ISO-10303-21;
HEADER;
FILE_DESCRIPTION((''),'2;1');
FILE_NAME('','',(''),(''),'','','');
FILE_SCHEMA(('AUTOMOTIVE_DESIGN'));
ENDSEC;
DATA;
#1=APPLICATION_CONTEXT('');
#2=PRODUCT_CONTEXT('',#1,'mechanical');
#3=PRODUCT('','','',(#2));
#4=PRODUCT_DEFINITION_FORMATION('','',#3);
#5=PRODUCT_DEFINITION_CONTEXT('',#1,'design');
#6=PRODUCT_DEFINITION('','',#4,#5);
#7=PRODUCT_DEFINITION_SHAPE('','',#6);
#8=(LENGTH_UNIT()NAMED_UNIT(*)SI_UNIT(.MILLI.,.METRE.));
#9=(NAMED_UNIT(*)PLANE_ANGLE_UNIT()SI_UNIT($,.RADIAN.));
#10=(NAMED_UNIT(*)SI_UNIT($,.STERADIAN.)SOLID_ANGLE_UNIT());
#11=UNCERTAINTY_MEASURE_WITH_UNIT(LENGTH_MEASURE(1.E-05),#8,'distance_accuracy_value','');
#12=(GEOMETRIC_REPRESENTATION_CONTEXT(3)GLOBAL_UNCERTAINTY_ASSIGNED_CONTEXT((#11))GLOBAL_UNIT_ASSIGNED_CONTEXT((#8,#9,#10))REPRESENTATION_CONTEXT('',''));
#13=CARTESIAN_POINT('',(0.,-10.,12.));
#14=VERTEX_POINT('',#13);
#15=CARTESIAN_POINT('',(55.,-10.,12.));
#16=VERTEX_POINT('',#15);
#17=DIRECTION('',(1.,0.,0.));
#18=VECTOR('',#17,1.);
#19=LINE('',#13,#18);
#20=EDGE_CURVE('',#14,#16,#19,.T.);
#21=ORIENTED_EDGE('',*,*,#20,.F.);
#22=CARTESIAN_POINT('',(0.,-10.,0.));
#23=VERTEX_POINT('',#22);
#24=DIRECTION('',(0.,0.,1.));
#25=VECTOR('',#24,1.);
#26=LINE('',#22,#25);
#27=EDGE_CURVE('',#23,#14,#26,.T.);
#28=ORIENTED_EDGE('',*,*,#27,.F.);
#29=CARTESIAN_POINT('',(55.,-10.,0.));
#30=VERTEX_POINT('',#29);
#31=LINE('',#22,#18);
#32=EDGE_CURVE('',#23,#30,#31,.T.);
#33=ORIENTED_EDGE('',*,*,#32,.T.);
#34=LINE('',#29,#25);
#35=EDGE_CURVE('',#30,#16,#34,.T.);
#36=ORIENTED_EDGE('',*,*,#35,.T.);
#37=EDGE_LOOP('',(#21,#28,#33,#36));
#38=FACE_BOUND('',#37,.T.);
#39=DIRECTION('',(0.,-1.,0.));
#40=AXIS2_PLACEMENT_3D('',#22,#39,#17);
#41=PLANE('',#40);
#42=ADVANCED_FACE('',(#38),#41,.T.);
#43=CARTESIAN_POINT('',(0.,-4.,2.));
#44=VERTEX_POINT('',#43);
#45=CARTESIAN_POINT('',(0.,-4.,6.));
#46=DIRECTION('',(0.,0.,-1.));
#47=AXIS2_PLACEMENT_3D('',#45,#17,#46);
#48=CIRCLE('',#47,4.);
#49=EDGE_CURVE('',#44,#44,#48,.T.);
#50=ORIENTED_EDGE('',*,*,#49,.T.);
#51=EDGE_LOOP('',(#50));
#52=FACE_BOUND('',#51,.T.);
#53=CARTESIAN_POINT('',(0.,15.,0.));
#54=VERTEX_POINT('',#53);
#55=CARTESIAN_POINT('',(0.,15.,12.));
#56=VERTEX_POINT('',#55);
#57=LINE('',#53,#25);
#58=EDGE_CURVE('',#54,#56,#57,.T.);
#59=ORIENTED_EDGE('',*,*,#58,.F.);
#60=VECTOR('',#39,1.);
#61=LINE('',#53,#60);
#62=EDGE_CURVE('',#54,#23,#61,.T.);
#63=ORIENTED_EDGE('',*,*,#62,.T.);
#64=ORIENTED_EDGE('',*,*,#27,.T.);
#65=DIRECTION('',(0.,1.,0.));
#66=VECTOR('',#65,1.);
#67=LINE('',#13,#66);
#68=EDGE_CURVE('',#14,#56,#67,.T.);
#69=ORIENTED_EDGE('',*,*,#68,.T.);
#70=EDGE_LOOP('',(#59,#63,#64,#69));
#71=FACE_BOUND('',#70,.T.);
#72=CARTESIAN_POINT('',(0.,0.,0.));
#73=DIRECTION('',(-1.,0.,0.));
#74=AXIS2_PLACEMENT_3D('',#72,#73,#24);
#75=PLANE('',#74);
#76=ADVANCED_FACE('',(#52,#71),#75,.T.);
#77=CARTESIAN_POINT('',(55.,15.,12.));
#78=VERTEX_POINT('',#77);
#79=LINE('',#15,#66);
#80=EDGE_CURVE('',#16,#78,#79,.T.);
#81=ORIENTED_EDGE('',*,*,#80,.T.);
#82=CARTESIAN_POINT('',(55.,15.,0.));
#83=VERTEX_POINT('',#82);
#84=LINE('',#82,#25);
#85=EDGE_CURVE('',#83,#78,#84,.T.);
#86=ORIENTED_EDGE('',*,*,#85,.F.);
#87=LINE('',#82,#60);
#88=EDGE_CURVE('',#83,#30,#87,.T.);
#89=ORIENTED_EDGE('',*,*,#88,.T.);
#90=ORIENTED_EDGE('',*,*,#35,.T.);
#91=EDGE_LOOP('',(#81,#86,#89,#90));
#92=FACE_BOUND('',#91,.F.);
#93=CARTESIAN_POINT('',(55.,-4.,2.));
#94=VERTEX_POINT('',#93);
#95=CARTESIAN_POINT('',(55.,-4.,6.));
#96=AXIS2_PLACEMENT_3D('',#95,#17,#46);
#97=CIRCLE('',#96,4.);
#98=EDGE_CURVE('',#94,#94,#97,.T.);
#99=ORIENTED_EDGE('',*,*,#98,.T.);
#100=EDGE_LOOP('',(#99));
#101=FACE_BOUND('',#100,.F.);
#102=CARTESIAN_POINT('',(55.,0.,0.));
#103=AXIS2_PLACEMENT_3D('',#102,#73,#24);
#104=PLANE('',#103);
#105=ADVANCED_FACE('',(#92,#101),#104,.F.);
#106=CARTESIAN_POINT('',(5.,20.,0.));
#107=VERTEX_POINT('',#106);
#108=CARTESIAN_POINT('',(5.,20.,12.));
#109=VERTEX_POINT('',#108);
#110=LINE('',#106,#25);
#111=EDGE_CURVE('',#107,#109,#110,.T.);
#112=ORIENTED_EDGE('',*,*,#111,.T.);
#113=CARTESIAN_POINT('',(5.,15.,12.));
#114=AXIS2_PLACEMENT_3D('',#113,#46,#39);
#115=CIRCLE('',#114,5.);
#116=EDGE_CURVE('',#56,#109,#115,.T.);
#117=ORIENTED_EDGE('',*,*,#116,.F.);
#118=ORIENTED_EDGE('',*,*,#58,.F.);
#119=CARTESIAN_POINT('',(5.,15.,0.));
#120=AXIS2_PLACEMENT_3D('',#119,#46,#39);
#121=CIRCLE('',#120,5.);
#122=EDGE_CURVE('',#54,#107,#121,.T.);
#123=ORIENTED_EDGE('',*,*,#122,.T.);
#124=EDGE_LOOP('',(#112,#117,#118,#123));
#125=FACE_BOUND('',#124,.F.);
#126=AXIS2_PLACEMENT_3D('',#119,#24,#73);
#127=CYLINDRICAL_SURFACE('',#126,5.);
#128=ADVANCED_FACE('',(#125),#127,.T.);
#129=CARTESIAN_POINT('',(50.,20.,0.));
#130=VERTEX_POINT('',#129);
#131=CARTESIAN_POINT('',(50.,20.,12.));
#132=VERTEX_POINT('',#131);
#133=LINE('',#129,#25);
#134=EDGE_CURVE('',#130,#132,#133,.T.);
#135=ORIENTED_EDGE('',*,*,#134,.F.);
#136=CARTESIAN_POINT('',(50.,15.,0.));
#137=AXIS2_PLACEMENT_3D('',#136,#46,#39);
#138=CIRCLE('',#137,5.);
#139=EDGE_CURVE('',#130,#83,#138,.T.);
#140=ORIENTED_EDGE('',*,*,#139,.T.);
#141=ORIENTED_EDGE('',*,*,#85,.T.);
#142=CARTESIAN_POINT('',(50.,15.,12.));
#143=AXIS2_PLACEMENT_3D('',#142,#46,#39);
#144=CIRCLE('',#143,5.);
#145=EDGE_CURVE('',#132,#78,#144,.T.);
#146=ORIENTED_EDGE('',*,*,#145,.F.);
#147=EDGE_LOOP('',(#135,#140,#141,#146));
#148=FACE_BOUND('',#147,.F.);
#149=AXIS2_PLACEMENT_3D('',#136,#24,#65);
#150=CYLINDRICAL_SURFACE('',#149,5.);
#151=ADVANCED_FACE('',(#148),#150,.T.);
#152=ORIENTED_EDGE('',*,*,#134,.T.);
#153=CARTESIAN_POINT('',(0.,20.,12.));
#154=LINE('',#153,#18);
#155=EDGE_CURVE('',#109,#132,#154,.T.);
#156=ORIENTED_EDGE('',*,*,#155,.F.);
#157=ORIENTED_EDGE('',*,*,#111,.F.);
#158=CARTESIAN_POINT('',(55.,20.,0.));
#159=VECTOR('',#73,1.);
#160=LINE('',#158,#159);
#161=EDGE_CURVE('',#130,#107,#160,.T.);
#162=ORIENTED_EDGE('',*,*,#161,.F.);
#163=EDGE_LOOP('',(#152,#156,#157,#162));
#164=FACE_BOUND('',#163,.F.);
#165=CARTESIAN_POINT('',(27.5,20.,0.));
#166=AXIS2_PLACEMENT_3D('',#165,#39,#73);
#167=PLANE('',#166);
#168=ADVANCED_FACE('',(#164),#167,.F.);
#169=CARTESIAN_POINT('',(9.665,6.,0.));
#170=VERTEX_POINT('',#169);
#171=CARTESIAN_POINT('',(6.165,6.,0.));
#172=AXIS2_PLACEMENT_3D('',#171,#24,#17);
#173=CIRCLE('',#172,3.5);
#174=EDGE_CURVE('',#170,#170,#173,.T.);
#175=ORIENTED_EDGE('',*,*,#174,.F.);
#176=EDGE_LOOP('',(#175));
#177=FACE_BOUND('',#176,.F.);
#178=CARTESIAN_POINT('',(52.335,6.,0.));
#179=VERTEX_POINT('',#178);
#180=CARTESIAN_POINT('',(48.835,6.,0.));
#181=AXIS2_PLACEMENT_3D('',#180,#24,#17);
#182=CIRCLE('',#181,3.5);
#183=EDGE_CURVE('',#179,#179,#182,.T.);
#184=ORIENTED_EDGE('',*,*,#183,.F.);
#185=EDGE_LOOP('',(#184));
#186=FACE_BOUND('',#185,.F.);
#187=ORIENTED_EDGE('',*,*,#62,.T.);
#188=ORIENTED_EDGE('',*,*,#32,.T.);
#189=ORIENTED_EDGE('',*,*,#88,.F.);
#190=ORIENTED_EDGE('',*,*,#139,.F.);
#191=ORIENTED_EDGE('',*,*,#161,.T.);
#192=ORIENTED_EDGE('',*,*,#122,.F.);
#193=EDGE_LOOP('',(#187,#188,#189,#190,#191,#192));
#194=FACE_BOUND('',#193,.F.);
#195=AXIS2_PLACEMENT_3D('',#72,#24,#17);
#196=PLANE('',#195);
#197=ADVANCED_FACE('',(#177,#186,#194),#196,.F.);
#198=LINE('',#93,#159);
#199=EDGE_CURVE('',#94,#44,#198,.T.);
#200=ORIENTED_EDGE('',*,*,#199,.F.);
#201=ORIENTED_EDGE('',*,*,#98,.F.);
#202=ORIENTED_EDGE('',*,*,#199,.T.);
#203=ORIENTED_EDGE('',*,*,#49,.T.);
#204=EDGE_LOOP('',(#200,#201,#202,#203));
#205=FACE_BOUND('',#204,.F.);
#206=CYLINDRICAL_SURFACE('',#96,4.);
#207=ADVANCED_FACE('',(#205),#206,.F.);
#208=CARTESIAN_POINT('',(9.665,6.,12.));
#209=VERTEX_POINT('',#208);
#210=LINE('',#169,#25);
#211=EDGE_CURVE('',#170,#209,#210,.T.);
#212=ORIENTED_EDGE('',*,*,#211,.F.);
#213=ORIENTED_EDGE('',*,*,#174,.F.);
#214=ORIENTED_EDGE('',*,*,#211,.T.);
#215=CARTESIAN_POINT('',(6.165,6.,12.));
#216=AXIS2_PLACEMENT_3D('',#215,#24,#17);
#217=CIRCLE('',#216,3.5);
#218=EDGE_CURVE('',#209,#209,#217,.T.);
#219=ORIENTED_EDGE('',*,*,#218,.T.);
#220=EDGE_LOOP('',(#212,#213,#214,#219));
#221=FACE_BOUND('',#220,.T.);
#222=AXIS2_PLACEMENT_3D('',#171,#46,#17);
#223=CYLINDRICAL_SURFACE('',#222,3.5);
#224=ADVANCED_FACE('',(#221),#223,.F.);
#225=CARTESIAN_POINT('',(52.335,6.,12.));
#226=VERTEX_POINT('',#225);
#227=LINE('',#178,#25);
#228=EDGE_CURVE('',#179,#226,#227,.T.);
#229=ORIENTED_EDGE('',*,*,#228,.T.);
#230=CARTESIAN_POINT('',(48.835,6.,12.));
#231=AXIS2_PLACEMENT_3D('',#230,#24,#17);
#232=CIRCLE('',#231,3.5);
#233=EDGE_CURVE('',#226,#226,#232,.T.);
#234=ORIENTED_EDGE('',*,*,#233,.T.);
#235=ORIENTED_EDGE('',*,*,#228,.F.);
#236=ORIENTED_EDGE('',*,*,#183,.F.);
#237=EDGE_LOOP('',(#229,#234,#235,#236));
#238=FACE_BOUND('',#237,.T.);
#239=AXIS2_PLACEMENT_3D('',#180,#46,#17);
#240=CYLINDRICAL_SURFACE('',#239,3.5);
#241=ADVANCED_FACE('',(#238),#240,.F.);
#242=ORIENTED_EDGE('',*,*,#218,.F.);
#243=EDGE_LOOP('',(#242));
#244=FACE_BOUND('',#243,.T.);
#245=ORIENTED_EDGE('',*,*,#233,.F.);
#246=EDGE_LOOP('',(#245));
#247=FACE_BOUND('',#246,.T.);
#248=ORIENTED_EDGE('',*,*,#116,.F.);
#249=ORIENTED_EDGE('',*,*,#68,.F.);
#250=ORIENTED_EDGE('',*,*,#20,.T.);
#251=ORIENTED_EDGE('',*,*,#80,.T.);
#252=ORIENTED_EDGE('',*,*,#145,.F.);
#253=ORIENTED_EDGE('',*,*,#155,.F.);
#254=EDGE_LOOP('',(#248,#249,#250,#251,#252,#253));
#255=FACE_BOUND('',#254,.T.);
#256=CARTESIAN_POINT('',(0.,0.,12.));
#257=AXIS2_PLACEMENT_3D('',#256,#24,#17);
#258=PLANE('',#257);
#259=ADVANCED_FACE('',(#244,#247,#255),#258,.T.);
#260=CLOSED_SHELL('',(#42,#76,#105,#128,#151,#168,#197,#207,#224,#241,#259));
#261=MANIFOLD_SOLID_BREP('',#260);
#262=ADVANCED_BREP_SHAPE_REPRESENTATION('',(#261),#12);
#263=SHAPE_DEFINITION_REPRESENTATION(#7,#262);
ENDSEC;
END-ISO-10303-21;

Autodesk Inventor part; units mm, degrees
ref_plane "YZ Plane" through (0, 0, 0) normal (1, 0, 0) x (0, 1, 0)
ref_plane "XZ Plane" through (0, 0, 0) normal (0, 1, 0) x (-1, 0, 0)
ref_plane "XY Plane" through (0, 0, 0) normal (0, 0, 1) x (1, 0, 0)
sketch "Boceto1" plane through (0, 0, 0) normal (0, 0, 1) x (1, 0, 0)
  line L0 (0, 0) -> (55, 0)
  line L1 (55, 0) -> (55, 20)
  line L2 (55, 20) -> (0, 20)
  line L3 (0, 20) -> (0, 0)
  circle A0 centre (6.165, 6) radius 3.5
  line L4 (27.5, 20) -> (27.5, 0)
  circle A1 centre (48.835, 6) radius 3.5
  dimension "d0" = 7
  dimension "d1" = 55
  dimension "d3" = 20
  dimension "d23" = 42.67
  dimension "d32" = 6
extrude "Extrusión1" add sketch "Boceto1" along normal blind 12
fillet "Empalme1" radius 5 2 edges at (55, 20, 6) (0, 20, 6)
sketch "Boceto7" plane through (0, 0, 0) normal (0, -1, 0) x (1, 0, 0)
  line L0 (0, 0) -> (0, 12) projected
  line L1 (0, 12) -> (55, 12) projected
  line L2 (0, 0) -> (55, 0)
  line L3 (55, 0) -> (55, 12)
  line L4 (55, 12) -> (0, 12)
  line L5 (0, 12) -> (0, 0)
extrude "Extrusión5" add sketch "Boceto7" along normal blind 10
sketch "Boceto8" plane through (55, 15, 12) normal (1, 0, 0) x (0, 0, -1)
  circle A0 centre (6, -19) radius 4
  line L0 (12, -25) -> (0, -25) projected
  line L1 (12, 0) -> (12, -25) projected
  point P0 (12, -15)
  point P1 (6, -25)
  dimension "d26" = 8
  dimension "d27" = 6
extrude "Extrusión6" cut sketch "Boceto8" against normal blind 55
properties part number "SoporteDerecha"
